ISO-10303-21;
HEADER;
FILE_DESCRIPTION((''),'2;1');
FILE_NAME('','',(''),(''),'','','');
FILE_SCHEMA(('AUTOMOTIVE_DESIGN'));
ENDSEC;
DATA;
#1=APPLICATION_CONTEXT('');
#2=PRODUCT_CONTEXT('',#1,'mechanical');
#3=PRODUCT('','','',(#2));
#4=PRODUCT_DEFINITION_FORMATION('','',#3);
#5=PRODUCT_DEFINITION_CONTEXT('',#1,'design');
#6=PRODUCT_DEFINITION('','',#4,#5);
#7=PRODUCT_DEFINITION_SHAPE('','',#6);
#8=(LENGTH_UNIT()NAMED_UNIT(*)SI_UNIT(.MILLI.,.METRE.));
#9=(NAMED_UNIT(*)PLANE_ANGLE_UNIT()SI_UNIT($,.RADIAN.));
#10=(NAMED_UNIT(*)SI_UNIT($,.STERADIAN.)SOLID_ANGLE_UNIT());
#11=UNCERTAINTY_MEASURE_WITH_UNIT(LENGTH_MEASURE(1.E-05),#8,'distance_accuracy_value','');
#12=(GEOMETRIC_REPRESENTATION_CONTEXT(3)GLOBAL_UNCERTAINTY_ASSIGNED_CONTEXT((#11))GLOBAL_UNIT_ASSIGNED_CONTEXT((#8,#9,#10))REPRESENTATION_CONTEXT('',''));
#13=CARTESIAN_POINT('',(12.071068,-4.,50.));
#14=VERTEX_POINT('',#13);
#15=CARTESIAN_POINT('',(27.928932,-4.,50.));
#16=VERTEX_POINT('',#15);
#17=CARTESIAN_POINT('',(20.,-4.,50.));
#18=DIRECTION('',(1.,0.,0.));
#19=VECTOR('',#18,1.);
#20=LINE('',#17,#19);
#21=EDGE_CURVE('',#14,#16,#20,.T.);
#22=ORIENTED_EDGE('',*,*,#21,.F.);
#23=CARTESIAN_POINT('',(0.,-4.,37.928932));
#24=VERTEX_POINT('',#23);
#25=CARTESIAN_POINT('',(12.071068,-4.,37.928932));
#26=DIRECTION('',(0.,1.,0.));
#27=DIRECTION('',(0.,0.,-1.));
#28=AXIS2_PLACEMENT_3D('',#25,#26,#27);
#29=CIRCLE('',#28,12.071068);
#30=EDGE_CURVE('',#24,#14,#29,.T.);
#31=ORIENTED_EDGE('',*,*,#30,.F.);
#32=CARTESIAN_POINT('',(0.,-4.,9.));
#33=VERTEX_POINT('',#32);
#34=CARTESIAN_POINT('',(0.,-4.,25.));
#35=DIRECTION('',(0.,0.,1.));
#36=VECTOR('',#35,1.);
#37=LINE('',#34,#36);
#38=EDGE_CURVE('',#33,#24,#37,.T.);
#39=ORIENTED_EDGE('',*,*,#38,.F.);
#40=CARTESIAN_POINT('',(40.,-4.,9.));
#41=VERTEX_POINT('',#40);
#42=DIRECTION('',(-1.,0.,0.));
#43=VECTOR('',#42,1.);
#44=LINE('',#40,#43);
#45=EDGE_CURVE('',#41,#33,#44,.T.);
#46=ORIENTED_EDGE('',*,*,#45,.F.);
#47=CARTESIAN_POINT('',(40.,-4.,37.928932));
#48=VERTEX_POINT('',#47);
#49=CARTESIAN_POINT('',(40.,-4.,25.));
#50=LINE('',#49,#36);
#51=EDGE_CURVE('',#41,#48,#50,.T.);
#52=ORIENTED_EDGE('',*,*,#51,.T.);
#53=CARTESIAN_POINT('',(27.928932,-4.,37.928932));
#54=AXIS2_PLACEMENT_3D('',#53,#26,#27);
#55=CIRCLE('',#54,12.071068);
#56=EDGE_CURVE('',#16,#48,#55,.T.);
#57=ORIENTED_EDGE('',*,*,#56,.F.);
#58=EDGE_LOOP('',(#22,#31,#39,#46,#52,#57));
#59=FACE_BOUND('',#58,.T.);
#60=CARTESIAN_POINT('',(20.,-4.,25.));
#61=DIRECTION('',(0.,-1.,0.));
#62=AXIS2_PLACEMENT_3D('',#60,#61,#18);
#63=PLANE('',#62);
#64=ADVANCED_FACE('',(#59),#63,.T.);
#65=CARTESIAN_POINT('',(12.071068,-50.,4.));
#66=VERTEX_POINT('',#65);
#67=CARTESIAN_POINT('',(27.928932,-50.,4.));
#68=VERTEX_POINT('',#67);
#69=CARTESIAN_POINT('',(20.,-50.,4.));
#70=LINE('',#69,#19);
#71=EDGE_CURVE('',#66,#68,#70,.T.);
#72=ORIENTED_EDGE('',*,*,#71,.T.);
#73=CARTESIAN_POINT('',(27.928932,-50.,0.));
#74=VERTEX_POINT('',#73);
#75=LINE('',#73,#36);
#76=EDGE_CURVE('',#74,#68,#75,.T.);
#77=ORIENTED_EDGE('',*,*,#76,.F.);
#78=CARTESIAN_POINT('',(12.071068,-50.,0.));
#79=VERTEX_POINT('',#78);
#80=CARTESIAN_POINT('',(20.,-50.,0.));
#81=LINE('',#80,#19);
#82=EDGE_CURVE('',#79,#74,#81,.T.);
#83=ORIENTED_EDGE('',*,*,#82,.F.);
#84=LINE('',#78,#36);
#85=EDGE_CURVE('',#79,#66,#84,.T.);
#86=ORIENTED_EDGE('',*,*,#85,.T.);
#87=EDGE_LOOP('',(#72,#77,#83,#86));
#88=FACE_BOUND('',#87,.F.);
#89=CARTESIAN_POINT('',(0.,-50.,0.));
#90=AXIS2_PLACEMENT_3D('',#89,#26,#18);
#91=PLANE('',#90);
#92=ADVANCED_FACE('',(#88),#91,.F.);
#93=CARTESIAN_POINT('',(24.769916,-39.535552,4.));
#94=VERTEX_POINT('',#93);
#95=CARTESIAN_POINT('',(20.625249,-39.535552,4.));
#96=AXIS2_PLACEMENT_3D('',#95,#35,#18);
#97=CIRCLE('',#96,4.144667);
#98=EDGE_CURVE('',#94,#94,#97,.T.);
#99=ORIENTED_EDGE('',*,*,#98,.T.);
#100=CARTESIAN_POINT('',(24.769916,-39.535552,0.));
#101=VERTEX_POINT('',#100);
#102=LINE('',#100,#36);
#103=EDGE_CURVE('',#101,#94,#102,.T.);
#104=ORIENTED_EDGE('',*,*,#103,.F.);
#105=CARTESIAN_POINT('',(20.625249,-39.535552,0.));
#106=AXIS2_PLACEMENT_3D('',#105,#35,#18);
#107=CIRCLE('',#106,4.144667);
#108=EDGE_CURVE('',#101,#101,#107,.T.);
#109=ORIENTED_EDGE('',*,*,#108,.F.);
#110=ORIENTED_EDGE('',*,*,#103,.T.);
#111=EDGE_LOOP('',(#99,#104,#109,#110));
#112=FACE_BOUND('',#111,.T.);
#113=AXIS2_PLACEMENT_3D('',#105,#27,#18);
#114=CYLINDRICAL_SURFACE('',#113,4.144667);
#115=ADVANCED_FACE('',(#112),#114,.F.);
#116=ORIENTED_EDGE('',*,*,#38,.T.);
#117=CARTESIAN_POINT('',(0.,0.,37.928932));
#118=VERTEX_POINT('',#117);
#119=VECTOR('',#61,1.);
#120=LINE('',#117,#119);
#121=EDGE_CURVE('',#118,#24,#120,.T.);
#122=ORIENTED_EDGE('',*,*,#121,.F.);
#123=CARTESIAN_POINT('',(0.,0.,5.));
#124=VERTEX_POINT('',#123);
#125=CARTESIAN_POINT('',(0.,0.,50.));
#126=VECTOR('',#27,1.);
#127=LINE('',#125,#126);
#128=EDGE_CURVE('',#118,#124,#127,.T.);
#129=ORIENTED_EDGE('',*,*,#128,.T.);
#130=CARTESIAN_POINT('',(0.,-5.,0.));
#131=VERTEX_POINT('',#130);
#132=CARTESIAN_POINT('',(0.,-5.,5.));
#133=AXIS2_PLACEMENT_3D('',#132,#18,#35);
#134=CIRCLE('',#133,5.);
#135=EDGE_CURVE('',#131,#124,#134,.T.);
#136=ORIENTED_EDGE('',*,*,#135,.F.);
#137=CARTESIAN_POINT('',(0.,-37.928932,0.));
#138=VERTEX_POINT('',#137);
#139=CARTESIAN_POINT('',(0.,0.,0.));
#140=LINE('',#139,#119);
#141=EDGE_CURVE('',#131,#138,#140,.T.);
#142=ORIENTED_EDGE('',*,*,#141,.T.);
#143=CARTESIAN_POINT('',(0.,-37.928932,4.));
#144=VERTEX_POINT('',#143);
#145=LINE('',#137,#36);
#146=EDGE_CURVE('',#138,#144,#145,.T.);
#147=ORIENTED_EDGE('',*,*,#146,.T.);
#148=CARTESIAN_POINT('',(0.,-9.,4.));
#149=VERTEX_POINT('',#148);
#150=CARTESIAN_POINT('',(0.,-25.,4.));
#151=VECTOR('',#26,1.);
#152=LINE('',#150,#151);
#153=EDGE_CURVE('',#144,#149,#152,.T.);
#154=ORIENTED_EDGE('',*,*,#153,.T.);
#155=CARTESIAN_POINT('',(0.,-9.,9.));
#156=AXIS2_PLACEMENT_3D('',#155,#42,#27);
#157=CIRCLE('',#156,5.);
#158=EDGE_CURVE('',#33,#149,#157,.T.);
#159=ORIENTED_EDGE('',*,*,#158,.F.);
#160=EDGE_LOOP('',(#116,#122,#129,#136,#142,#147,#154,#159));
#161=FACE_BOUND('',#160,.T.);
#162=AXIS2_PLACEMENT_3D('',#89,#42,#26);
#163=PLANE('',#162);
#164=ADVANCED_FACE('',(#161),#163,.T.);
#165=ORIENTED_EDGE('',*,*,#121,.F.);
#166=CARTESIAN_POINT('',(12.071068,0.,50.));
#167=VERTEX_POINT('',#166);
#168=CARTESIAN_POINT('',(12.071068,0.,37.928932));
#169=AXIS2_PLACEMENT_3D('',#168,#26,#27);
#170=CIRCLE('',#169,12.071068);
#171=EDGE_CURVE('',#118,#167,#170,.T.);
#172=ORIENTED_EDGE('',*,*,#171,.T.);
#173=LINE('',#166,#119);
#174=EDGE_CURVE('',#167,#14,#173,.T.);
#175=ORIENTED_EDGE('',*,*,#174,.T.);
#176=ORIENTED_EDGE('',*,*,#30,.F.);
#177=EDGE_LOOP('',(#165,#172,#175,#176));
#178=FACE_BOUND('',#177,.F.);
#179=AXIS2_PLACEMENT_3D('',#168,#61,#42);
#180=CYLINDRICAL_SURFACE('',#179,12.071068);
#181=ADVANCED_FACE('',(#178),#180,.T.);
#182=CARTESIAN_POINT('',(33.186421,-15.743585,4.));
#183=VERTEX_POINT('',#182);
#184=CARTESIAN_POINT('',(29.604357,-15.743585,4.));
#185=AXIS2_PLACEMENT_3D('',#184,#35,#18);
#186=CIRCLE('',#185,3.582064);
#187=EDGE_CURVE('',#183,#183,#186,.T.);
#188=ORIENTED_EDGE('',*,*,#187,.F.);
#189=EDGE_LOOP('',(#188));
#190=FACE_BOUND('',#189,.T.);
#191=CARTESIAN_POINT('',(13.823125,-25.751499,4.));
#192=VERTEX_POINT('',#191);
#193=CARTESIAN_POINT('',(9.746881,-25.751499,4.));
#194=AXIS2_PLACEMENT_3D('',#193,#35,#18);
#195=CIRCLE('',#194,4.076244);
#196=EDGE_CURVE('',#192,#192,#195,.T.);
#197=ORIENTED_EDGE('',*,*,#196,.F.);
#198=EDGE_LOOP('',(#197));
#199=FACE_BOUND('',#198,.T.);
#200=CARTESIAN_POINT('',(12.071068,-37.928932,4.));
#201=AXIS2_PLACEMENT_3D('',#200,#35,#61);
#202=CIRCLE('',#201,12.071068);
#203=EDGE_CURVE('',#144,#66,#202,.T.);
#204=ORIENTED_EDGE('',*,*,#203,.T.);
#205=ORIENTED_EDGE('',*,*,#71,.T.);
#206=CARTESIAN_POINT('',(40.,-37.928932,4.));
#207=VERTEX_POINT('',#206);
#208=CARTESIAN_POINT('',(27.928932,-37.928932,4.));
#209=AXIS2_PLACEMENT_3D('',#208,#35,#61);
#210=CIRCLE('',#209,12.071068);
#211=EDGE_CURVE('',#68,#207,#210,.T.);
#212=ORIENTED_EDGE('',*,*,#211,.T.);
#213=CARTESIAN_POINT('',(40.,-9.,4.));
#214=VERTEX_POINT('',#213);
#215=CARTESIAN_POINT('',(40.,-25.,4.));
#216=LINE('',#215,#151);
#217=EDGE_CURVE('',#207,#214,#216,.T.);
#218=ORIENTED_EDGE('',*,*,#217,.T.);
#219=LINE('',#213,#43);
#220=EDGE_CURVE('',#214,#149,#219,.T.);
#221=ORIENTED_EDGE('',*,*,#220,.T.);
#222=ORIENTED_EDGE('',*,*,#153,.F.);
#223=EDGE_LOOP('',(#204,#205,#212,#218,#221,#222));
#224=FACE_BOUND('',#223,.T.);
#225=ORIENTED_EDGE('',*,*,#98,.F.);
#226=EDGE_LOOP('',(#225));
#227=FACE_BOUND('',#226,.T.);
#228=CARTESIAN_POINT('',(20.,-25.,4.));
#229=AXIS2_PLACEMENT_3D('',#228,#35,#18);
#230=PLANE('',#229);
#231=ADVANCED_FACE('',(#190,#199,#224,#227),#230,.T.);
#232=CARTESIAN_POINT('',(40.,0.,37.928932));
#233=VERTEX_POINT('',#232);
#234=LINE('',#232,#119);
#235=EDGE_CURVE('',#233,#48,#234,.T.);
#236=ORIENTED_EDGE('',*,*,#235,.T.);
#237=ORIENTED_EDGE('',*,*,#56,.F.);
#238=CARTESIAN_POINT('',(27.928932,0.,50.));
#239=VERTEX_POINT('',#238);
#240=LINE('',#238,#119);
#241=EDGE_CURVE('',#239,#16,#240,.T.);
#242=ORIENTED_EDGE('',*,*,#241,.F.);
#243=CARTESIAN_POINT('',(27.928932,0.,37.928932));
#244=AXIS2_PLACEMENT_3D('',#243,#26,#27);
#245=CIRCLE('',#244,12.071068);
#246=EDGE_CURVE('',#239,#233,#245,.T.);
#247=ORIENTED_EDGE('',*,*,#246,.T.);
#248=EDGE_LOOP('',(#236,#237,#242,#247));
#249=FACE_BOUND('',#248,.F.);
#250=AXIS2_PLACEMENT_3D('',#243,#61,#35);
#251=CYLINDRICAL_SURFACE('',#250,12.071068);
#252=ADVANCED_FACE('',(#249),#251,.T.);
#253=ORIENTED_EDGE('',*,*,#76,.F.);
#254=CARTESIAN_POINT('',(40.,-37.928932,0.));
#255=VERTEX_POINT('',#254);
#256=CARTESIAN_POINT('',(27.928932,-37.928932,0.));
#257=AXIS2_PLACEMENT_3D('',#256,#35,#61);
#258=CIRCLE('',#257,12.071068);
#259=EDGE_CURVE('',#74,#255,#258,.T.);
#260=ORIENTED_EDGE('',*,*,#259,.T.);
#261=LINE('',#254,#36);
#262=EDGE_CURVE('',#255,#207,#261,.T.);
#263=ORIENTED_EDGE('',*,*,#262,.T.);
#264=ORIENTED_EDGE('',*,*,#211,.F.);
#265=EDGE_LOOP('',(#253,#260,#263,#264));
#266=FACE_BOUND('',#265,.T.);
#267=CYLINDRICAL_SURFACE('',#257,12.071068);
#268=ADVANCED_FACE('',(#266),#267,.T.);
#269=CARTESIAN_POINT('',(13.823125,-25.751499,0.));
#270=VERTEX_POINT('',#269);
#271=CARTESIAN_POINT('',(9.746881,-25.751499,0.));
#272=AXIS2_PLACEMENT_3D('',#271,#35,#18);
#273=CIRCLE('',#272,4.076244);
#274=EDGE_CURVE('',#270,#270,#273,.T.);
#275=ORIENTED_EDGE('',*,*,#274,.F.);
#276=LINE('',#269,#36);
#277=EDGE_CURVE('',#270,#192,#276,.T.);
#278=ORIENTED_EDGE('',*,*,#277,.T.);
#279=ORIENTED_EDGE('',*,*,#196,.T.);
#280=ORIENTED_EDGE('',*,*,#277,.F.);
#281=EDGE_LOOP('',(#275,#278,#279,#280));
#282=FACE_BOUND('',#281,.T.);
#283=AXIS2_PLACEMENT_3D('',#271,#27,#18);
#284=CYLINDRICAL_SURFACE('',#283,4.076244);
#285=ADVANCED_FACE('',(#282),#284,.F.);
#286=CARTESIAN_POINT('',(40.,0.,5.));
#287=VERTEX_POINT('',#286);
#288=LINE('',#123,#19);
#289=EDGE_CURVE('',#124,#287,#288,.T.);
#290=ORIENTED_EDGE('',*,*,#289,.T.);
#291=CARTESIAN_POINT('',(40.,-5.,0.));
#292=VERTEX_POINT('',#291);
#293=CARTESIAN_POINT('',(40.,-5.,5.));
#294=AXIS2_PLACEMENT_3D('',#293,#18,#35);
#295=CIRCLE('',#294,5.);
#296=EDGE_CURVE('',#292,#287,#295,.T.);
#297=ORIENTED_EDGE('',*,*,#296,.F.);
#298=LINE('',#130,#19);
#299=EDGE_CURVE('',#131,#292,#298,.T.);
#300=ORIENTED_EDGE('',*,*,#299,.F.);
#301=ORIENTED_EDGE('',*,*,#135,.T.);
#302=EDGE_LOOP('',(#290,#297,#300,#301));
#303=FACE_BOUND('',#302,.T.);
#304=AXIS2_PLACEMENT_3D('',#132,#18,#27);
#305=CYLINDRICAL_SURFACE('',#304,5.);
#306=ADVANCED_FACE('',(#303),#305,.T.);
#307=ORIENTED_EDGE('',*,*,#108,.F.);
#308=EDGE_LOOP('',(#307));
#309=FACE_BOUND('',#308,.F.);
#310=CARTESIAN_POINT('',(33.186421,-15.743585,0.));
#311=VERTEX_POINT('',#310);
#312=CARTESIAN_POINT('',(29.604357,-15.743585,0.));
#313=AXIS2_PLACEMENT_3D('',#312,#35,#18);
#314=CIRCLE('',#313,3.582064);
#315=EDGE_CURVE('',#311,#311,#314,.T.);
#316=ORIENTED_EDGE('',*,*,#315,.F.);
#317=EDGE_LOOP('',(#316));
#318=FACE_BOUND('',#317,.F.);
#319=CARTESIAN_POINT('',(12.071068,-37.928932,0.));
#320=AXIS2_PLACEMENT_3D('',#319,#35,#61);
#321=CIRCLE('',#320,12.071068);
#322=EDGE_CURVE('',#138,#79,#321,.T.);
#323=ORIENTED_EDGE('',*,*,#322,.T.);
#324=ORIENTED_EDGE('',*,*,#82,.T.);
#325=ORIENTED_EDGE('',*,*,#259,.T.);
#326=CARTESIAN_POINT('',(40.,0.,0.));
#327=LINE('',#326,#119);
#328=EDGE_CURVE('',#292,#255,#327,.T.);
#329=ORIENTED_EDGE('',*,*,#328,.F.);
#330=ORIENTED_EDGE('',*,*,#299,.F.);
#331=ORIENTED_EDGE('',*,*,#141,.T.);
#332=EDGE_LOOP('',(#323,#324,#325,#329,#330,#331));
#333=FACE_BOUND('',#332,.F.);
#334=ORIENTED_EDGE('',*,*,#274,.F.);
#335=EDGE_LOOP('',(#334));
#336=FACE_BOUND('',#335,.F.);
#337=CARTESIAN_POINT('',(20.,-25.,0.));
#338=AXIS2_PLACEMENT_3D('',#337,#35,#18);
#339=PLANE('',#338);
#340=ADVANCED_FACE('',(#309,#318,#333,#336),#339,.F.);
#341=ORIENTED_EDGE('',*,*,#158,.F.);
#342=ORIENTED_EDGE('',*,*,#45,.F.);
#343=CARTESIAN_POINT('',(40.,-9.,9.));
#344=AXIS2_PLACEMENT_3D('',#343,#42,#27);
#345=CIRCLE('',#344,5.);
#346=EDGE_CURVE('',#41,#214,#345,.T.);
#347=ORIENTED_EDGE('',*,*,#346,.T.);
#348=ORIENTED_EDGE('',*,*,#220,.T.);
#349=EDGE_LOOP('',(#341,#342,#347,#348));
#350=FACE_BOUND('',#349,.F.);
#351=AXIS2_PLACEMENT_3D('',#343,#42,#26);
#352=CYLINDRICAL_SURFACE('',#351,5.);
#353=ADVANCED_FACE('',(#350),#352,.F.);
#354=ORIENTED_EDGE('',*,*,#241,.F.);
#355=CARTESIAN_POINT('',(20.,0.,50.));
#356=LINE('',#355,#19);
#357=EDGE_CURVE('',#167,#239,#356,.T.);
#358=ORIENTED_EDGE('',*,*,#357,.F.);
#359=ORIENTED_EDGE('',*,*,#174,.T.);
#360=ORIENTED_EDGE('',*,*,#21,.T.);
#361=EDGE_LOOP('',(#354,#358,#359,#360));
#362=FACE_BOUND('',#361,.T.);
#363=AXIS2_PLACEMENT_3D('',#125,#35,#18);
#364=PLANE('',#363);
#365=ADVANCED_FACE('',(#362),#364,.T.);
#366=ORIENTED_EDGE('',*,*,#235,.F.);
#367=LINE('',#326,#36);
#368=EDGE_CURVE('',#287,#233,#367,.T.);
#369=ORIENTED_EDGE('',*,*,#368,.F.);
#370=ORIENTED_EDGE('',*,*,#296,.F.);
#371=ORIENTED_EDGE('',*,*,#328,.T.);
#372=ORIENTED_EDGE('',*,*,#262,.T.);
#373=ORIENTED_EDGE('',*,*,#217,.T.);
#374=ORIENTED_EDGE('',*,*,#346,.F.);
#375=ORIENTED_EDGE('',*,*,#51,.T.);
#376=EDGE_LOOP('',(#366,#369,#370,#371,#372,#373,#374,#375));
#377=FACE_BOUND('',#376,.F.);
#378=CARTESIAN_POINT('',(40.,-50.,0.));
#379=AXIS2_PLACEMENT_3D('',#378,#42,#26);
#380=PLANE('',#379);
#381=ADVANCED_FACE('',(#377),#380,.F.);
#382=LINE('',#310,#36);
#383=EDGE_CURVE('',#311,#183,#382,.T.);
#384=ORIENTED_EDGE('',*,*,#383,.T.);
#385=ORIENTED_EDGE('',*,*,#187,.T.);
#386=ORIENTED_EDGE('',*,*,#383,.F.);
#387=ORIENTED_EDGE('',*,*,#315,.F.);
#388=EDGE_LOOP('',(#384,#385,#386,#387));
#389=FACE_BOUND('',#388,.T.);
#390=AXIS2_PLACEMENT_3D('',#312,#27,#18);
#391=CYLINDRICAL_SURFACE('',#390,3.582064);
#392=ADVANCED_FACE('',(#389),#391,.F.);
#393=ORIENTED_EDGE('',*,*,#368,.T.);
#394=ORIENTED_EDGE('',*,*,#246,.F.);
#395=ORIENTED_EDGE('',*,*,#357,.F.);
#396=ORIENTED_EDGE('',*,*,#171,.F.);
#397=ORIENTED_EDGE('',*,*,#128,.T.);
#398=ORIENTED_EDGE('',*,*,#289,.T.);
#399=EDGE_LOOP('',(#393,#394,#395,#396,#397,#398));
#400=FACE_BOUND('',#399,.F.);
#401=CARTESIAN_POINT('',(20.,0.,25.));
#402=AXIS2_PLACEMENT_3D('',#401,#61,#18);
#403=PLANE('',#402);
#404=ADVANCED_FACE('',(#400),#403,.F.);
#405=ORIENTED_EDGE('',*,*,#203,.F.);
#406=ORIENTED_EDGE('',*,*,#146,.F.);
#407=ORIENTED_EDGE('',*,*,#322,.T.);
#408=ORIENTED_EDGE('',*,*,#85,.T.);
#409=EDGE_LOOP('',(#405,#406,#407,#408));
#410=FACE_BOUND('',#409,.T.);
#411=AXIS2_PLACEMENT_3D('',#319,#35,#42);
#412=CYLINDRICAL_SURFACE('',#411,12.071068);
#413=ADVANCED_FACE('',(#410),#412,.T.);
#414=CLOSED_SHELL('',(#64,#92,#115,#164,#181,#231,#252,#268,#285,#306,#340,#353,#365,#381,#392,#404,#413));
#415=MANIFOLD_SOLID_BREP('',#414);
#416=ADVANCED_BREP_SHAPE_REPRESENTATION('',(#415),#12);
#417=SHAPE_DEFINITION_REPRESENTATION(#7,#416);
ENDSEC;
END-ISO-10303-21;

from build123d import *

# Parameters (mm, degrees)
F0_W     = 40
F0_H     = 50
F1_DEPTH = 4
F2_W     = 40
F2_H     = 50
F2_R     = 4.076244
F2_R_2   = 4.144667
F2_R_3   = 3.582064
F3_DEPTH = 4
F4_R     = 5
F5_R     = 5
F6_R     = 12.071068


with BuildPart() as f1:
    # F0 (on Front) → F1 (new body)
    with BuildSketch(Plane.XZ):
        with Locations((20, 25)):
            Rectangle(F0_W, F0_H)
    extrude(amount=F1_DEPTH)

    # F2 (on Top) → F3 (join)
    with BuildSketch(Plane.XY):
        with Locations((20, -25)):
            Rectangle(F2_W, F2_H)
        with Locations((9.746881, -25.751499)):
            Circle(F2_R, mode=Mode.SUBTRACT)
        with Locations((20.625249, -39.535552)):
            Circle(F2_R_2, mode=Mode.SUBTRACT)
        with Locations((29.604357, -15.743585)):
            Circle(F2_R_3, mode=Mode.SUBTRACT)
    extrude(amount=F3_DEPTH)

    # F4
    f4_edges = [f1.edges().sort_by_distance(p)[0] for p in [
        (20, -4, 4),
    ]]
    fillet(f4_edges, radius=F4_R)

    # F5
    f5_edges = [f1.edges().sort_by_distance(p)[0] for p in [
        (20, 0, 0),
    ]]
    fillet(f5_edges, radius=F5_R)

    # F6
    f6_edges = [f1.edges().sort_by_distance(p)[0] for p in [
        (0, -50, 2),
        (40, -50, 2),
        (40, -2, 50),
        (0, -2, 50),
    ]]
    fillet(f6_edges, radius=F6_R)


solid = f1.part
